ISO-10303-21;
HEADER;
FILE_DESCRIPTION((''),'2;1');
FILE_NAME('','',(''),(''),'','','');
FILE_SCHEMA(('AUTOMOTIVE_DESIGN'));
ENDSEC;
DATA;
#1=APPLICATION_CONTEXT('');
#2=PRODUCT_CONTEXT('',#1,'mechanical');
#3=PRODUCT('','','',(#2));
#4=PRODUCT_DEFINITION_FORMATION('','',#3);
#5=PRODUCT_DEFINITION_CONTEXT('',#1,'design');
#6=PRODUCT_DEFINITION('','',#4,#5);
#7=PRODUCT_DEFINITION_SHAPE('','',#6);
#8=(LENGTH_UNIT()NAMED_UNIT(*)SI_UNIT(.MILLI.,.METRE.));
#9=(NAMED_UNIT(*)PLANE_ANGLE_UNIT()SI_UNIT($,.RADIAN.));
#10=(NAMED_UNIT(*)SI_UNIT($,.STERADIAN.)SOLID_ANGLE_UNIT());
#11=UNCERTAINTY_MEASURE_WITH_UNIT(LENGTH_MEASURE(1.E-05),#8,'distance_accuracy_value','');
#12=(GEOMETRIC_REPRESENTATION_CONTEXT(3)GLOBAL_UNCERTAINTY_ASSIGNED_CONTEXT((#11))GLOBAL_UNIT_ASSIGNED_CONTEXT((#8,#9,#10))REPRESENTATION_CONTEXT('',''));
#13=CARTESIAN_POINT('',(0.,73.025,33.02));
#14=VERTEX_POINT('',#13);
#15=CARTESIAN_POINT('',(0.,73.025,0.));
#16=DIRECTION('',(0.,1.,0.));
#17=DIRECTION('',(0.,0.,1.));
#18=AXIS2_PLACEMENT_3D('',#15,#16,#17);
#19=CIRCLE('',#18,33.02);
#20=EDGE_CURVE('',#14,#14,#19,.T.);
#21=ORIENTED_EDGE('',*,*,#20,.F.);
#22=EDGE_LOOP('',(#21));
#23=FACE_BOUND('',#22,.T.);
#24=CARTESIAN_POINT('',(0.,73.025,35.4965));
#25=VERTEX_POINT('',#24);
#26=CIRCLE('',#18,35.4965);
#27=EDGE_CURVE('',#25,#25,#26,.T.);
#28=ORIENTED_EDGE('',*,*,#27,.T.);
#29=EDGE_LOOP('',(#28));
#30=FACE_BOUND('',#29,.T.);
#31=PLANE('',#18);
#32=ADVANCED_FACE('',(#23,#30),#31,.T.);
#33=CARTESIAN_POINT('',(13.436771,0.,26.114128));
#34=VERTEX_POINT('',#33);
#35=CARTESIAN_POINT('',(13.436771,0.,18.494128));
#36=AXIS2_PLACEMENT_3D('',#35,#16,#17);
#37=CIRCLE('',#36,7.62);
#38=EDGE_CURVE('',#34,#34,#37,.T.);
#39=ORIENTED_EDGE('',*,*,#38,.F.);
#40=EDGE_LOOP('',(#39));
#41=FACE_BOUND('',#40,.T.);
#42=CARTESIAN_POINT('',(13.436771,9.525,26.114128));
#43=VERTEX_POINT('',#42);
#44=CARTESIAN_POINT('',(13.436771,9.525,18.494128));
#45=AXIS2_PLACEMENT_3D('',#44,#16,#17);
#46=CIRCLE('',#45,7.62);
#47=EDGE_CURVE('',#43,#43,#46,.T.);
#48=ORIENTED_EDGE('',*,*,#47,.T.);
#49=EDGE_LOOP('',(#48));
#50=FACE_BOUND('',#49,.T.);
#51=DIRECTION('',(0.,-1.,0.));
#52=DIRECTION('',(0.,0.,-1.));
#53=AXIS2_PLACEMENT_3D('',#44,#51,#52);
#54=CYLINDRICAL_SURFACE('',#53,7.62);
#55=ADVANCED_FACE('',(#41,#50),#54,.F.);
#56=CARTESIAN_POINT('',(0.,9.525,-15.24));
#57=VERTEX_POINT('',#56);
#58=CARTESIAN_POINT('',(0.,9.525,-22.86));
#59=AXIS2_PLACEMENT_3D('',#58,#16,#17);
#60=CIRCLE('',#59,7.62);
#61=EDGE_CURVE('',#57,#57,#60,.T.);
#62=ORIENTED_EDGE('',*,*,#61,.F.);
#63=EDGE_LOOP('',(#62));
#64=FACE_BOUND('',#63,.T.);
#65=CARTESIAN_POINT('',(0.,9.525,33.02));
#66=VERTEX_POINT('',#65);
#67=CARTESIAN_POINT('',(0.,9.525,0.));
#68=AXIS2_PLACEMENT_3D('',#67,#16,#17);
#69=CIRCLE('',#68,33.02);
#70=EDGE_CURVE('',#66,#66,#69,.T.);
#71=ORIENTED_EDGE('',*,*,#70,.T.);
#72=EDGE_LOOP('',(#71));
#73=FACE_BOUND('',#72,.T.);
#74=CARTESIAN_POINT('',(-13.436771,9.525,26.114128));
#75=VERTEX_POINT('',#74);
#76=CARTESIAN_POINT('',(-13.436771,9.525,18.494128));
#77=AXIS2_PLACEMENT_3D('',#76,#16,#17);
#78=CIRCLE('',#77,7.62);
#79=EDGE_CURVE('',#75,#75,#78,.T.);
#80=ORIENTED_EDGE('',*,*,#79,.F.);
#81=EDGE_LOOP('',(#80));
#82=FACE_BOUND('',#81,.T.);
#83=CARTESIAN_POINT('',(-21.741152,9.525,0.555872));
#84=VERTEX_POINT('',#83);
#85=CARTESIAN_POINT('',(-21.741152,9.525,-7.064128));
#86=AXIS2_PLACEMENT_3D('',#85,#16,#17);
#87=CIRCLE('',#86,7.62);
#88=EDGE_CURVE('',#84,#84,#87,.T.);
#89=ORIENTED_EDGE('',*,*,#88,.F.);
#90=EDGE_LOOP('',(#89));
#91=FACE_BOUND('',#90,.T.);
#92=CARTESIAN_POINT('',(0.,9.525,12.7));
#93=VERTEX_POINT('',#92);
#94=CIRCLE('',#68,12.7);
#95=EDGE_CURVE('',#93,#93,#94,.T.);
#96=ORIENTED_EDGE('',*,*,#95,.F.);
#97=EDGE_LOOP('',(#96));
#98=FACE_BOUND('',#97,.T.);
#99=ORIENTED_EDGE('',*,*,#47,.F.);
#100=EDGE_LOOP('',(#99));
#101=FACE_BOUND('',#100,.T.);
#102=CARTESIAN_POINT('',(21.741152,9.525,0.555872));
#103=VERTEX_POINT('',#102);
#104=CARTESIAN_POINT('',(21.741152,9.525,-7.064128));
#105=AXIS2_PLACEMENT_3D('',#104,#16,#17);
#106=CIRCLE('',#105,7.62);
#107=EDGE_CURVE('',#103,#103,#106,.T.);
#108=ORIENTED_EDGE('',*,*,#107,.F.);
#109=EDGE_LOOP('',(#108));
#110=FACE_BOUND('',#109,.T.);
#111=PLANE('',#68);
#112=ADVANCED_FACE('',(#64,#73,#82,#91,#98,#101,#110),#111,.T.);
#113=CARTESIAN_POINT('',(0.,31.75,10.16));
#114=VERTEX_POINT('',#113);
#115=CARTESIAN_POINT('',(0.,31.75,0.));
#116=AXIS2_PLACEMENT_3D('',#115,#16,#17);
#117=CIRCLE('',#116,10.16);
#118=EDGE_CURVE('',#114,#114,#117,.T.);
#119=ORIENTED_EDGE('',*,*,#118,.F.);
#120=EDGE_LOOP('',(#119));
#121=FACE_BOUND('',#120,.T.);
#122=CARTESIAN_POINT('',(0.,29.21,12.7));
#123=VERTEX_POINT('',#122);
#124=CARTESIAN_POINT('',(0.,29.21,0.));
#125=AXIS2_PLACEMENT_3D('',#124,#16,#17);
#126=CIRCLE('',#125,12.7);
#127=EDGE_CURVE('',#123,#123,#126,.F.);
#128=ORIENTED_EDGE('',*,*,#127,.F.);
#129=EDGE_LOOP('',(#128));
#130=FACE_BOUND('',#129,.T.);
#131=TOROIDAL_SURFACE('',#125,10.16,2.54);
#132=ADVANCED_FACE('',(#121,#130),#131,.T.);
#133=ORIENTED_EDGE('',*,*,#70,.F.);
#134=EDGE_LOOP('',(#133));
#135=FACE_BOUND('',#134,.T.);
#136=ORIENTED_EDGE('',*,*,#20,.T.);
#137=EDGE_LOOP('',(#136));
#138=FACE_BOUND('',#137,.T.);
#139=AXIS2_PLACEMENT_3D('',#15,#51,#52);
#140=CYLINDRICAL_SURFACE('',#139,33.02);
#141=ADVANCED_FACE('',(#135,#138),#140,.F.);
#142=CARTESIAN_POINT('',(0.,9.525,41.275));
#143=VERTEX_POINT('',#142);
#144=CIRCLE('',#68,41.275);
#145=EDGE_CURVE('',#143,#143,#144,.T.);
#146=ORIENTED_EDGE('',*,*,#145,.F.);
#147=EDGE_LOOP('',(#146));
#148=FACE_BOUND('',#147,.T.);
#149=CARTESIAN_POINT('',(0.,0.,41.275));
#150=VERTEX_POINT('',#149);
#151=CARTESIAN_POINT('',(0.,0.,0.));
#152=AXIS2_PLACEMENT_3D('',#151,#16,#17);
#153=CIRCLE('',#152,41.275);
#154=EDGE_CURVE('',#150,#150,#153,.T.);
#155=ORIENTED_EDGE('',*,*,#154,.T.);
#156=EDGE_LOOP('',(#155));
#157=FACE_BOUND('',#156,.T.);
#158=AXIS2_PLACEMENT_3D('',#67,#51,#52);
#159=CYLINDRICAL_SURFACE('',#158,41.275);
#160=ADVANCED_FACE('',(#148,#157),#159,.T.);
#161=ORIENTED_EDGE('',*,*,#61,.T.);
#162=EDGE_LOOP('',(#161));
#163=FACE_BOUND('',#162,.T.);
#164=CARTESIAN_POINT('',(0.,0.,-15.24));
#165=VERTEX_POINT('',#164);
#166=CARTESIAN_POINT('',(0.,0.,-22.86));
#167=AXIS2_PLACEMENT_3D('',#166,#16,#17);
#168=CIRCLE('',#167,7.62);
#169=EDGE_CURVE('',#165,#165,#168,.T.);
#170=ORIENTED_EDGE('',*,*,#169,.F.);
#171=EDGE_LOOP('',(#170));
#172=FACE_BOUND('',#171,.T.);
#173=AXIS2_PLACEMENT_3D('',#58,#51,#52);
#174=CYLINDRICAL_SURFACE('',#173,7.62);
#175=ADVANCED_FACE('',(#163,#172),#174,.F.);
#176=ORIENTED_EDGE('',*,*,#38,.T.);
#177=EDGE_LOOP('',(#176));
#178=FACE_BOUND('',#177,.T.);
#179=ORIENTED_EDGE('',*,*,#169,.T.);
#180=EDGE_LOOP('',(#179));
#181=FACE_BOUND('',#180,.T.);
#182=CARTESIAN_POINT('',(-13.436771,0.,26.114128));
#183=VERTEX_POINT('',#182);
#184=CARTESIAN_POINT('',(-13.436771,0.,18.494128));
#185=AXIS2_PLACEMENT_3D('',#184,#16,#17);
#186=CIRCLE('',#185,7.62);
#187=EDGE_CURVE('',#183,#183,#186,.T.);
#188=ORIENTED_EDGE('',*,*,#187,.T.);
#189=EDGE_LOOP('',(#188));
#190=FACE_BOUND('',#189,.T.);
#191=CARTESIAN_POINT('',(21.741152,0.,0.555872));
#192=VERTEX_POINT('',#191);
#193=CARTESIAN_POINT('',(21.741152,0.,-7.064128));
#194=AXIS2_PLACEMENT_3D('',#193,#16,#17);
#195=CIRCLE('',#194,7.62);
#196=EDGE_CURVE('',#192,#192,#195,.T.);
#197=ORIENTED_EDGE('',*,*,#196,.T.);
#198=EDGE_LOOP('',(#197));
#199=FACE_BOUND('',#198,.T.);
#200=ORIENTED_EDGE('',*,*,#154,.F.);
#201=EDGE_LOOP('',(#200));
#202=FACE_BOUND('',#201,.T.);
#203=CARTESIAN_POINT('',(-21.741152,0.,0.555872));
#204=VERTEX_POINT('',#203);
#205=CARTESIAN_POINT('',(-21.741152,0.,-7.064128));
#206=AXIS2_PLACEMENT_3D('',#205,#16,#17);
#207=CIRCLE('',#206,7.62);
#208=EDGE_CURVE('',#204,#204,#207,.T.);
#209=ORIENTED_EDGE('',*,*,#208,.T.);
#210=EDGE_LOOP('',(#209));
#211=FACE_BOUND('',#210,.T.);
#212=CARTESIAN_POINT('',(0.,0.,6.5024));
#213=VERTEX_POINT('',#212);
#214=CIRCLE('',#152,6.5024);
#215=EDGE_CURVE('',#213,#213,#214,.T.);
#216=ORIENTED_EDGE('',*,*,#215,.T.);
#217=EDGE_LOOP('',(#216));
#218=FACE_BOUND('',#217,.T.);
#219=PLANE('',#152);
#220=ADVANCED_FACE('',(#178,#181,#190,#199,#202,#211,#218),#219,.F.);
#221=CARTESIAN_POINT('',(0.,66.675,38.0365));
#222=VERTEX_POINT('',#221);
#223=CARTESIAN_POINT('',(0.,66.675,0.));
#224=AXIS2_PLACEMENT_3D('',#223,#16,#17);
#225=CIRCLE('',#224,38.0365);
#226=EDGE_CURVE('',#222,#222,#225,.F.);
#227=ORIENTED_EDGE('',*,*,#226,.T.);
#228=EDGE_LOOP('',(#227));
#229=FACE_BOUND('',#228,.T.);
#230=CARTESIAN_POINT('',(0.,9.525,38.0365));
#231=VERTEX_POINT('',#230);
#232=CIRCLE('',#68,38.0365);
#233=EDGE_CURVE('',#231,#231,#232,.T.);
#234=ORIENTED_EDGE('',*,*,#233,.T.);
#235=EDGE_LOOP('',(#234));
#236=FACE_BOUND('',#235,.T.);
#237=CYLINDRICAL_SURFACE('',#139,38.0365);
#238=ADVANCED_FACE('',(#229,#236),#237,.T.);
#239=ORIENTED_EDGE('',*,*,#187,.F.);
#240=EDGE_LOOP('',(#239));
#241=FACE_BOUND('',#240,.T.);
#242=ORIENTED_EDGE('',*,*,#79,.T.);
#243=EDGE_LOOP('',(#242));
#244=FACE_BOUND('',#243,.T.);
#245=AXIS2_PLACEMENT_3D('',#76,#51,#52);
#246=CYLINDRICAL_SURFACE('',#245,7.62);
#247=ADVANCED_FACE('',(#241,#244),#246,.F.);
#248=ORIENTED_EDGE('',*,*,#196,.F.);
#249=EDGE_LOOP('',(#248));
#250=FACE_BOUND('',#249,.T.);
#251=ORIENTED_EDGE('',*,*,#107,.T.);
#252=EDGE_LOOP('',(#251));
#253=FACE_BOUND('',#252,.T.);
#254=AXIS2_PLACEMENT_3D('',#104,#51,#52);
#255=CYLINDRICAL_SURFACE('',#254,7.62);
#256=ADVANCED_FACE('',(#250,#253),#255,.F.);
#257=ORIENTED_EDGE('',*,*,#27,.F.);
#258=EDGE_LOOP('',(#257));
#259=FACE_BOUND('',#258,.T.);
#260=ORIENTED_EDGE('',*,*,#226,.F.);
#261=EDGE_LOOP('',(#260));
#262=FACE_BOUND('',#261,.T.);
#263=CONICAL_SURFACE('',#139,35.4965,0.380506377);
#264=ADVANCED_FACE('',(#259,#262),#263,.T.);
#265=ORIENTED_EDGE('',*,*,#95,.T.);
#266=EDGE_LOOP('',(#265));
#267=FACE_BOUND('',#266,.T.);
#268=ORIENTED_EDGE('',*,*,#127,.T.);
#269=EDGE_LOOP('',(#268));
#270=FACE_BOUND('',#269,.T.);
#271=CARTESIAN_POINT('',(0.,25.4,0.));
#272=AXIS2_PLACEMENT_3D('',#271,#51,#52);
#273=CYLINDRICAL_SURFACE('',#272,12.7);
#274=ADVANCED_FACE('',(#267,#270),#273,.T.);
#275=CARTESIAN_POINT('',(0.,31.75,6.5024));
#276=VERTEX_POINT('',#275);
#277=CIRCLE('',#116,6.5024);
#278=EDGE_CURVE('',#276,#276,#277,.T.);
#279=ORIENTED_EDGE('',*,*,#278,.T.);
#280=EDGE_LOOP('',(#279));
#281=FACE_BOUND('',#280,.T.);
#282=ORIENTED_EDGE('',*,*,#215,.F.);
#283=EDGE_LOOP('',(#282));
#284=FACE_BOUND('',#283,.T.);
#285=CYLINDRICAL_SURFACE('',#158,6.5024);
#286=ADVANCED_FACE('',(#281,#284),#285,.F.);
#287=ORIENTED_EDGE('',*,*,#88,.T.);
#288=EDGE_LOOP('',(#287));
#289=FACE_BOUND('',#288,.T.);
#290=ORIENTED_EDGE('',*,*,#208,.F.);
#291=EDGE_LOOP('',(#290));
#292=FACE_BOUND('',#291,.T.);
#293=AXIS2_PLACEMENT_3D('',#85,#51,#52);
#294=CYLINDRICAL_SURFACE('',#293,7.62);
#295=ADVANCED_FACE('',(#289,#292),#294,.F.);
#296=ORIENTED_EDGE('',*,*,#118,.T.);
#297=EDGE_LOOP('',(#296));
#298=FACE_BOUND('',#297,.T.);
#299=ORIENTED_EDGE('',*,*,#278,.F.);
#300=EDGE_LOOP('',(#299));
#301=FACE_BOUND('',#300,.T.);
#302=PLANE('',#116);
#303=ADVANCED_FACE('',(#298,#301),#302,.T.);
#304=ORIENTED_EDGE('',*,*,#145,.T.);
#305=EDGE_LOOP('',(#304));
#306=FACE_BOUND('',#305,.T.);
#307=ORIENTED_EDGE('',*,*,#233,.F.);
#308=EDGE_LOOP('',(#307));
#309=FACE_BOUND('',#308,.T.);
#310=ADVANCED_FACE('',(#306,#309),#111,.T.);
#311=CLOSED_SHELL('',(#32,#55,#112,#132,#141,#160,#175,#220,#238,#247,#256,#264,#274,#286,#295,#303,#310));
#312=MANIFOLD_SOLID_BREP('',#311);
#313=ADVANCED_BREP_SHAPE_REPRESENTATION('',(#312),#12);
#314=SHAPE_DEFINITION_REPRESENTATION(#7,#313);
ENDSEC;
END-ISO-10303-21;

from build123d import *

# Parameters (mm, degrees)
SKETCH1_R           = 41.275
SKETCH1_R_2         = 6.5024
SKETCH1_R_3         = 7.62
BOSS_EXTRUDE1_DEPTH = 9.525
SKETCH2_R           = 38.0365
SKETCH2_R_2         = 33.02
BOSS_EXTRUDE2_DEPTH = 63.5
SKETCH3_R           = 12.7
SKETCH3_R_2         = 6.5024
BOSS_EXTRUDE3_DEPTH = 15.875
CHAMFER1_SIZE       = 6.35
CHAMFER1_SIZE2      = 2.54
SKETCH4_R           = 12.7
SKETCH4_R_2         = 6.5024
BOSS_EXTRUDE4_DEPTH = 6.35
FILLET1_R           = 2.54


with BuildPart() as part:
    # Sketch1 → Boss-Extrude1 (new body)
    with BuildSketch(Plane(origin=(0, 0, 0), x_dir=(1, 0, 0), z_dir=(0, 1, 0))):
        Circle(SKETCH1_R)
        Circle(SKETCH1_R_2, mode=Mode.SUBTRACT)
        with Locations((0, 22.86)):
            Circle(SKETCH1_R_3, mode=Mode.SUBTRACT)
        with Locations((21.741151963, 7.064128491)):
            Circle(SKETCH1_R_3, mode=Mode.SUBTRACT)
        with Locations((13.436770867, -18.494128491)):
            Circle(SKETCH1_R_3, mode=Mode.SUBTRACT)
        with Locations((-13.436770867, -18.494128491)):
            Circle(SKETCH1_R_3, mode=Mode.SUBTRACT)
        with Locations((-21.741151963, 7.064128491)):
            Circle(SKETCH1_R_3, mode=Mode.SUBTRACT)
    extrude(amount=BOSS_EXTRUDE1_DEPTH)

    # Sketch2 → Boss-Extrude2 (add)
    with BuildSketch(Plane(origin=(0, 9.525, 0), x_dir=(1, 0, 0), z_dir=(0, 1, 0))):
        Circle(SKETCH2_R)
        Circle(SKETCH2_R_2, mode=Mode.SUBTRACT)
    extrude(amount=BOSS_EXTRUDE2_DEPTH)

    # Sketch3 → Boss-Extrude3 (add)
    with BuildSketch(Plane(origin=(0, 9.525, 0), x_dir=(1, 0, 0), z_dir=(0, 1, 0))):
        Circle(SKETCH3_R)
        Circle(SKETCH3_R_2, mode=Mode.SUBTRACT)
    extrude(amount=BOSS_EXTRUDE3_DEPTH)

    # Chamfer1
    chamfer1_edges = [part.edges().sort_by_distance(p)[0] for p in [
        (-38.0365, 73.025, 0),
    ]]
    chamfer1_side = [part.faces().sort_by_distance(p)[0] for p in [
        (-38.0365, 41.275, 0),
    ]]
    chamfer(chamfer1_edges, length=CHAMFER1_SIZE, length2=CHAMFER1_SIZE2, reference=chamfer1_side[0])

    # Sketch4 → Boss-Extrude4 (add)
    with BuildSketch(Plane(origin=(0, 25.4, 0), x_dir=(1, 0, 0), z_dir=(0, 1, 0))):
        Circle(SKETCH4_R)
        Circle(SKETCH4_R_2, mode=Mode.SUBTRACT)
    extrude(amount=BOSS_EXTRUDE4_DEPTH)

    # Fillet1
    fillet1_edges = [part.edges().sort_by_distance(p)[0] for p in [
        (-12.7, 31.75, 0),
    ]]
    fillet(fillet1_edges, radius=FILLET1_R)


solid = part.part
